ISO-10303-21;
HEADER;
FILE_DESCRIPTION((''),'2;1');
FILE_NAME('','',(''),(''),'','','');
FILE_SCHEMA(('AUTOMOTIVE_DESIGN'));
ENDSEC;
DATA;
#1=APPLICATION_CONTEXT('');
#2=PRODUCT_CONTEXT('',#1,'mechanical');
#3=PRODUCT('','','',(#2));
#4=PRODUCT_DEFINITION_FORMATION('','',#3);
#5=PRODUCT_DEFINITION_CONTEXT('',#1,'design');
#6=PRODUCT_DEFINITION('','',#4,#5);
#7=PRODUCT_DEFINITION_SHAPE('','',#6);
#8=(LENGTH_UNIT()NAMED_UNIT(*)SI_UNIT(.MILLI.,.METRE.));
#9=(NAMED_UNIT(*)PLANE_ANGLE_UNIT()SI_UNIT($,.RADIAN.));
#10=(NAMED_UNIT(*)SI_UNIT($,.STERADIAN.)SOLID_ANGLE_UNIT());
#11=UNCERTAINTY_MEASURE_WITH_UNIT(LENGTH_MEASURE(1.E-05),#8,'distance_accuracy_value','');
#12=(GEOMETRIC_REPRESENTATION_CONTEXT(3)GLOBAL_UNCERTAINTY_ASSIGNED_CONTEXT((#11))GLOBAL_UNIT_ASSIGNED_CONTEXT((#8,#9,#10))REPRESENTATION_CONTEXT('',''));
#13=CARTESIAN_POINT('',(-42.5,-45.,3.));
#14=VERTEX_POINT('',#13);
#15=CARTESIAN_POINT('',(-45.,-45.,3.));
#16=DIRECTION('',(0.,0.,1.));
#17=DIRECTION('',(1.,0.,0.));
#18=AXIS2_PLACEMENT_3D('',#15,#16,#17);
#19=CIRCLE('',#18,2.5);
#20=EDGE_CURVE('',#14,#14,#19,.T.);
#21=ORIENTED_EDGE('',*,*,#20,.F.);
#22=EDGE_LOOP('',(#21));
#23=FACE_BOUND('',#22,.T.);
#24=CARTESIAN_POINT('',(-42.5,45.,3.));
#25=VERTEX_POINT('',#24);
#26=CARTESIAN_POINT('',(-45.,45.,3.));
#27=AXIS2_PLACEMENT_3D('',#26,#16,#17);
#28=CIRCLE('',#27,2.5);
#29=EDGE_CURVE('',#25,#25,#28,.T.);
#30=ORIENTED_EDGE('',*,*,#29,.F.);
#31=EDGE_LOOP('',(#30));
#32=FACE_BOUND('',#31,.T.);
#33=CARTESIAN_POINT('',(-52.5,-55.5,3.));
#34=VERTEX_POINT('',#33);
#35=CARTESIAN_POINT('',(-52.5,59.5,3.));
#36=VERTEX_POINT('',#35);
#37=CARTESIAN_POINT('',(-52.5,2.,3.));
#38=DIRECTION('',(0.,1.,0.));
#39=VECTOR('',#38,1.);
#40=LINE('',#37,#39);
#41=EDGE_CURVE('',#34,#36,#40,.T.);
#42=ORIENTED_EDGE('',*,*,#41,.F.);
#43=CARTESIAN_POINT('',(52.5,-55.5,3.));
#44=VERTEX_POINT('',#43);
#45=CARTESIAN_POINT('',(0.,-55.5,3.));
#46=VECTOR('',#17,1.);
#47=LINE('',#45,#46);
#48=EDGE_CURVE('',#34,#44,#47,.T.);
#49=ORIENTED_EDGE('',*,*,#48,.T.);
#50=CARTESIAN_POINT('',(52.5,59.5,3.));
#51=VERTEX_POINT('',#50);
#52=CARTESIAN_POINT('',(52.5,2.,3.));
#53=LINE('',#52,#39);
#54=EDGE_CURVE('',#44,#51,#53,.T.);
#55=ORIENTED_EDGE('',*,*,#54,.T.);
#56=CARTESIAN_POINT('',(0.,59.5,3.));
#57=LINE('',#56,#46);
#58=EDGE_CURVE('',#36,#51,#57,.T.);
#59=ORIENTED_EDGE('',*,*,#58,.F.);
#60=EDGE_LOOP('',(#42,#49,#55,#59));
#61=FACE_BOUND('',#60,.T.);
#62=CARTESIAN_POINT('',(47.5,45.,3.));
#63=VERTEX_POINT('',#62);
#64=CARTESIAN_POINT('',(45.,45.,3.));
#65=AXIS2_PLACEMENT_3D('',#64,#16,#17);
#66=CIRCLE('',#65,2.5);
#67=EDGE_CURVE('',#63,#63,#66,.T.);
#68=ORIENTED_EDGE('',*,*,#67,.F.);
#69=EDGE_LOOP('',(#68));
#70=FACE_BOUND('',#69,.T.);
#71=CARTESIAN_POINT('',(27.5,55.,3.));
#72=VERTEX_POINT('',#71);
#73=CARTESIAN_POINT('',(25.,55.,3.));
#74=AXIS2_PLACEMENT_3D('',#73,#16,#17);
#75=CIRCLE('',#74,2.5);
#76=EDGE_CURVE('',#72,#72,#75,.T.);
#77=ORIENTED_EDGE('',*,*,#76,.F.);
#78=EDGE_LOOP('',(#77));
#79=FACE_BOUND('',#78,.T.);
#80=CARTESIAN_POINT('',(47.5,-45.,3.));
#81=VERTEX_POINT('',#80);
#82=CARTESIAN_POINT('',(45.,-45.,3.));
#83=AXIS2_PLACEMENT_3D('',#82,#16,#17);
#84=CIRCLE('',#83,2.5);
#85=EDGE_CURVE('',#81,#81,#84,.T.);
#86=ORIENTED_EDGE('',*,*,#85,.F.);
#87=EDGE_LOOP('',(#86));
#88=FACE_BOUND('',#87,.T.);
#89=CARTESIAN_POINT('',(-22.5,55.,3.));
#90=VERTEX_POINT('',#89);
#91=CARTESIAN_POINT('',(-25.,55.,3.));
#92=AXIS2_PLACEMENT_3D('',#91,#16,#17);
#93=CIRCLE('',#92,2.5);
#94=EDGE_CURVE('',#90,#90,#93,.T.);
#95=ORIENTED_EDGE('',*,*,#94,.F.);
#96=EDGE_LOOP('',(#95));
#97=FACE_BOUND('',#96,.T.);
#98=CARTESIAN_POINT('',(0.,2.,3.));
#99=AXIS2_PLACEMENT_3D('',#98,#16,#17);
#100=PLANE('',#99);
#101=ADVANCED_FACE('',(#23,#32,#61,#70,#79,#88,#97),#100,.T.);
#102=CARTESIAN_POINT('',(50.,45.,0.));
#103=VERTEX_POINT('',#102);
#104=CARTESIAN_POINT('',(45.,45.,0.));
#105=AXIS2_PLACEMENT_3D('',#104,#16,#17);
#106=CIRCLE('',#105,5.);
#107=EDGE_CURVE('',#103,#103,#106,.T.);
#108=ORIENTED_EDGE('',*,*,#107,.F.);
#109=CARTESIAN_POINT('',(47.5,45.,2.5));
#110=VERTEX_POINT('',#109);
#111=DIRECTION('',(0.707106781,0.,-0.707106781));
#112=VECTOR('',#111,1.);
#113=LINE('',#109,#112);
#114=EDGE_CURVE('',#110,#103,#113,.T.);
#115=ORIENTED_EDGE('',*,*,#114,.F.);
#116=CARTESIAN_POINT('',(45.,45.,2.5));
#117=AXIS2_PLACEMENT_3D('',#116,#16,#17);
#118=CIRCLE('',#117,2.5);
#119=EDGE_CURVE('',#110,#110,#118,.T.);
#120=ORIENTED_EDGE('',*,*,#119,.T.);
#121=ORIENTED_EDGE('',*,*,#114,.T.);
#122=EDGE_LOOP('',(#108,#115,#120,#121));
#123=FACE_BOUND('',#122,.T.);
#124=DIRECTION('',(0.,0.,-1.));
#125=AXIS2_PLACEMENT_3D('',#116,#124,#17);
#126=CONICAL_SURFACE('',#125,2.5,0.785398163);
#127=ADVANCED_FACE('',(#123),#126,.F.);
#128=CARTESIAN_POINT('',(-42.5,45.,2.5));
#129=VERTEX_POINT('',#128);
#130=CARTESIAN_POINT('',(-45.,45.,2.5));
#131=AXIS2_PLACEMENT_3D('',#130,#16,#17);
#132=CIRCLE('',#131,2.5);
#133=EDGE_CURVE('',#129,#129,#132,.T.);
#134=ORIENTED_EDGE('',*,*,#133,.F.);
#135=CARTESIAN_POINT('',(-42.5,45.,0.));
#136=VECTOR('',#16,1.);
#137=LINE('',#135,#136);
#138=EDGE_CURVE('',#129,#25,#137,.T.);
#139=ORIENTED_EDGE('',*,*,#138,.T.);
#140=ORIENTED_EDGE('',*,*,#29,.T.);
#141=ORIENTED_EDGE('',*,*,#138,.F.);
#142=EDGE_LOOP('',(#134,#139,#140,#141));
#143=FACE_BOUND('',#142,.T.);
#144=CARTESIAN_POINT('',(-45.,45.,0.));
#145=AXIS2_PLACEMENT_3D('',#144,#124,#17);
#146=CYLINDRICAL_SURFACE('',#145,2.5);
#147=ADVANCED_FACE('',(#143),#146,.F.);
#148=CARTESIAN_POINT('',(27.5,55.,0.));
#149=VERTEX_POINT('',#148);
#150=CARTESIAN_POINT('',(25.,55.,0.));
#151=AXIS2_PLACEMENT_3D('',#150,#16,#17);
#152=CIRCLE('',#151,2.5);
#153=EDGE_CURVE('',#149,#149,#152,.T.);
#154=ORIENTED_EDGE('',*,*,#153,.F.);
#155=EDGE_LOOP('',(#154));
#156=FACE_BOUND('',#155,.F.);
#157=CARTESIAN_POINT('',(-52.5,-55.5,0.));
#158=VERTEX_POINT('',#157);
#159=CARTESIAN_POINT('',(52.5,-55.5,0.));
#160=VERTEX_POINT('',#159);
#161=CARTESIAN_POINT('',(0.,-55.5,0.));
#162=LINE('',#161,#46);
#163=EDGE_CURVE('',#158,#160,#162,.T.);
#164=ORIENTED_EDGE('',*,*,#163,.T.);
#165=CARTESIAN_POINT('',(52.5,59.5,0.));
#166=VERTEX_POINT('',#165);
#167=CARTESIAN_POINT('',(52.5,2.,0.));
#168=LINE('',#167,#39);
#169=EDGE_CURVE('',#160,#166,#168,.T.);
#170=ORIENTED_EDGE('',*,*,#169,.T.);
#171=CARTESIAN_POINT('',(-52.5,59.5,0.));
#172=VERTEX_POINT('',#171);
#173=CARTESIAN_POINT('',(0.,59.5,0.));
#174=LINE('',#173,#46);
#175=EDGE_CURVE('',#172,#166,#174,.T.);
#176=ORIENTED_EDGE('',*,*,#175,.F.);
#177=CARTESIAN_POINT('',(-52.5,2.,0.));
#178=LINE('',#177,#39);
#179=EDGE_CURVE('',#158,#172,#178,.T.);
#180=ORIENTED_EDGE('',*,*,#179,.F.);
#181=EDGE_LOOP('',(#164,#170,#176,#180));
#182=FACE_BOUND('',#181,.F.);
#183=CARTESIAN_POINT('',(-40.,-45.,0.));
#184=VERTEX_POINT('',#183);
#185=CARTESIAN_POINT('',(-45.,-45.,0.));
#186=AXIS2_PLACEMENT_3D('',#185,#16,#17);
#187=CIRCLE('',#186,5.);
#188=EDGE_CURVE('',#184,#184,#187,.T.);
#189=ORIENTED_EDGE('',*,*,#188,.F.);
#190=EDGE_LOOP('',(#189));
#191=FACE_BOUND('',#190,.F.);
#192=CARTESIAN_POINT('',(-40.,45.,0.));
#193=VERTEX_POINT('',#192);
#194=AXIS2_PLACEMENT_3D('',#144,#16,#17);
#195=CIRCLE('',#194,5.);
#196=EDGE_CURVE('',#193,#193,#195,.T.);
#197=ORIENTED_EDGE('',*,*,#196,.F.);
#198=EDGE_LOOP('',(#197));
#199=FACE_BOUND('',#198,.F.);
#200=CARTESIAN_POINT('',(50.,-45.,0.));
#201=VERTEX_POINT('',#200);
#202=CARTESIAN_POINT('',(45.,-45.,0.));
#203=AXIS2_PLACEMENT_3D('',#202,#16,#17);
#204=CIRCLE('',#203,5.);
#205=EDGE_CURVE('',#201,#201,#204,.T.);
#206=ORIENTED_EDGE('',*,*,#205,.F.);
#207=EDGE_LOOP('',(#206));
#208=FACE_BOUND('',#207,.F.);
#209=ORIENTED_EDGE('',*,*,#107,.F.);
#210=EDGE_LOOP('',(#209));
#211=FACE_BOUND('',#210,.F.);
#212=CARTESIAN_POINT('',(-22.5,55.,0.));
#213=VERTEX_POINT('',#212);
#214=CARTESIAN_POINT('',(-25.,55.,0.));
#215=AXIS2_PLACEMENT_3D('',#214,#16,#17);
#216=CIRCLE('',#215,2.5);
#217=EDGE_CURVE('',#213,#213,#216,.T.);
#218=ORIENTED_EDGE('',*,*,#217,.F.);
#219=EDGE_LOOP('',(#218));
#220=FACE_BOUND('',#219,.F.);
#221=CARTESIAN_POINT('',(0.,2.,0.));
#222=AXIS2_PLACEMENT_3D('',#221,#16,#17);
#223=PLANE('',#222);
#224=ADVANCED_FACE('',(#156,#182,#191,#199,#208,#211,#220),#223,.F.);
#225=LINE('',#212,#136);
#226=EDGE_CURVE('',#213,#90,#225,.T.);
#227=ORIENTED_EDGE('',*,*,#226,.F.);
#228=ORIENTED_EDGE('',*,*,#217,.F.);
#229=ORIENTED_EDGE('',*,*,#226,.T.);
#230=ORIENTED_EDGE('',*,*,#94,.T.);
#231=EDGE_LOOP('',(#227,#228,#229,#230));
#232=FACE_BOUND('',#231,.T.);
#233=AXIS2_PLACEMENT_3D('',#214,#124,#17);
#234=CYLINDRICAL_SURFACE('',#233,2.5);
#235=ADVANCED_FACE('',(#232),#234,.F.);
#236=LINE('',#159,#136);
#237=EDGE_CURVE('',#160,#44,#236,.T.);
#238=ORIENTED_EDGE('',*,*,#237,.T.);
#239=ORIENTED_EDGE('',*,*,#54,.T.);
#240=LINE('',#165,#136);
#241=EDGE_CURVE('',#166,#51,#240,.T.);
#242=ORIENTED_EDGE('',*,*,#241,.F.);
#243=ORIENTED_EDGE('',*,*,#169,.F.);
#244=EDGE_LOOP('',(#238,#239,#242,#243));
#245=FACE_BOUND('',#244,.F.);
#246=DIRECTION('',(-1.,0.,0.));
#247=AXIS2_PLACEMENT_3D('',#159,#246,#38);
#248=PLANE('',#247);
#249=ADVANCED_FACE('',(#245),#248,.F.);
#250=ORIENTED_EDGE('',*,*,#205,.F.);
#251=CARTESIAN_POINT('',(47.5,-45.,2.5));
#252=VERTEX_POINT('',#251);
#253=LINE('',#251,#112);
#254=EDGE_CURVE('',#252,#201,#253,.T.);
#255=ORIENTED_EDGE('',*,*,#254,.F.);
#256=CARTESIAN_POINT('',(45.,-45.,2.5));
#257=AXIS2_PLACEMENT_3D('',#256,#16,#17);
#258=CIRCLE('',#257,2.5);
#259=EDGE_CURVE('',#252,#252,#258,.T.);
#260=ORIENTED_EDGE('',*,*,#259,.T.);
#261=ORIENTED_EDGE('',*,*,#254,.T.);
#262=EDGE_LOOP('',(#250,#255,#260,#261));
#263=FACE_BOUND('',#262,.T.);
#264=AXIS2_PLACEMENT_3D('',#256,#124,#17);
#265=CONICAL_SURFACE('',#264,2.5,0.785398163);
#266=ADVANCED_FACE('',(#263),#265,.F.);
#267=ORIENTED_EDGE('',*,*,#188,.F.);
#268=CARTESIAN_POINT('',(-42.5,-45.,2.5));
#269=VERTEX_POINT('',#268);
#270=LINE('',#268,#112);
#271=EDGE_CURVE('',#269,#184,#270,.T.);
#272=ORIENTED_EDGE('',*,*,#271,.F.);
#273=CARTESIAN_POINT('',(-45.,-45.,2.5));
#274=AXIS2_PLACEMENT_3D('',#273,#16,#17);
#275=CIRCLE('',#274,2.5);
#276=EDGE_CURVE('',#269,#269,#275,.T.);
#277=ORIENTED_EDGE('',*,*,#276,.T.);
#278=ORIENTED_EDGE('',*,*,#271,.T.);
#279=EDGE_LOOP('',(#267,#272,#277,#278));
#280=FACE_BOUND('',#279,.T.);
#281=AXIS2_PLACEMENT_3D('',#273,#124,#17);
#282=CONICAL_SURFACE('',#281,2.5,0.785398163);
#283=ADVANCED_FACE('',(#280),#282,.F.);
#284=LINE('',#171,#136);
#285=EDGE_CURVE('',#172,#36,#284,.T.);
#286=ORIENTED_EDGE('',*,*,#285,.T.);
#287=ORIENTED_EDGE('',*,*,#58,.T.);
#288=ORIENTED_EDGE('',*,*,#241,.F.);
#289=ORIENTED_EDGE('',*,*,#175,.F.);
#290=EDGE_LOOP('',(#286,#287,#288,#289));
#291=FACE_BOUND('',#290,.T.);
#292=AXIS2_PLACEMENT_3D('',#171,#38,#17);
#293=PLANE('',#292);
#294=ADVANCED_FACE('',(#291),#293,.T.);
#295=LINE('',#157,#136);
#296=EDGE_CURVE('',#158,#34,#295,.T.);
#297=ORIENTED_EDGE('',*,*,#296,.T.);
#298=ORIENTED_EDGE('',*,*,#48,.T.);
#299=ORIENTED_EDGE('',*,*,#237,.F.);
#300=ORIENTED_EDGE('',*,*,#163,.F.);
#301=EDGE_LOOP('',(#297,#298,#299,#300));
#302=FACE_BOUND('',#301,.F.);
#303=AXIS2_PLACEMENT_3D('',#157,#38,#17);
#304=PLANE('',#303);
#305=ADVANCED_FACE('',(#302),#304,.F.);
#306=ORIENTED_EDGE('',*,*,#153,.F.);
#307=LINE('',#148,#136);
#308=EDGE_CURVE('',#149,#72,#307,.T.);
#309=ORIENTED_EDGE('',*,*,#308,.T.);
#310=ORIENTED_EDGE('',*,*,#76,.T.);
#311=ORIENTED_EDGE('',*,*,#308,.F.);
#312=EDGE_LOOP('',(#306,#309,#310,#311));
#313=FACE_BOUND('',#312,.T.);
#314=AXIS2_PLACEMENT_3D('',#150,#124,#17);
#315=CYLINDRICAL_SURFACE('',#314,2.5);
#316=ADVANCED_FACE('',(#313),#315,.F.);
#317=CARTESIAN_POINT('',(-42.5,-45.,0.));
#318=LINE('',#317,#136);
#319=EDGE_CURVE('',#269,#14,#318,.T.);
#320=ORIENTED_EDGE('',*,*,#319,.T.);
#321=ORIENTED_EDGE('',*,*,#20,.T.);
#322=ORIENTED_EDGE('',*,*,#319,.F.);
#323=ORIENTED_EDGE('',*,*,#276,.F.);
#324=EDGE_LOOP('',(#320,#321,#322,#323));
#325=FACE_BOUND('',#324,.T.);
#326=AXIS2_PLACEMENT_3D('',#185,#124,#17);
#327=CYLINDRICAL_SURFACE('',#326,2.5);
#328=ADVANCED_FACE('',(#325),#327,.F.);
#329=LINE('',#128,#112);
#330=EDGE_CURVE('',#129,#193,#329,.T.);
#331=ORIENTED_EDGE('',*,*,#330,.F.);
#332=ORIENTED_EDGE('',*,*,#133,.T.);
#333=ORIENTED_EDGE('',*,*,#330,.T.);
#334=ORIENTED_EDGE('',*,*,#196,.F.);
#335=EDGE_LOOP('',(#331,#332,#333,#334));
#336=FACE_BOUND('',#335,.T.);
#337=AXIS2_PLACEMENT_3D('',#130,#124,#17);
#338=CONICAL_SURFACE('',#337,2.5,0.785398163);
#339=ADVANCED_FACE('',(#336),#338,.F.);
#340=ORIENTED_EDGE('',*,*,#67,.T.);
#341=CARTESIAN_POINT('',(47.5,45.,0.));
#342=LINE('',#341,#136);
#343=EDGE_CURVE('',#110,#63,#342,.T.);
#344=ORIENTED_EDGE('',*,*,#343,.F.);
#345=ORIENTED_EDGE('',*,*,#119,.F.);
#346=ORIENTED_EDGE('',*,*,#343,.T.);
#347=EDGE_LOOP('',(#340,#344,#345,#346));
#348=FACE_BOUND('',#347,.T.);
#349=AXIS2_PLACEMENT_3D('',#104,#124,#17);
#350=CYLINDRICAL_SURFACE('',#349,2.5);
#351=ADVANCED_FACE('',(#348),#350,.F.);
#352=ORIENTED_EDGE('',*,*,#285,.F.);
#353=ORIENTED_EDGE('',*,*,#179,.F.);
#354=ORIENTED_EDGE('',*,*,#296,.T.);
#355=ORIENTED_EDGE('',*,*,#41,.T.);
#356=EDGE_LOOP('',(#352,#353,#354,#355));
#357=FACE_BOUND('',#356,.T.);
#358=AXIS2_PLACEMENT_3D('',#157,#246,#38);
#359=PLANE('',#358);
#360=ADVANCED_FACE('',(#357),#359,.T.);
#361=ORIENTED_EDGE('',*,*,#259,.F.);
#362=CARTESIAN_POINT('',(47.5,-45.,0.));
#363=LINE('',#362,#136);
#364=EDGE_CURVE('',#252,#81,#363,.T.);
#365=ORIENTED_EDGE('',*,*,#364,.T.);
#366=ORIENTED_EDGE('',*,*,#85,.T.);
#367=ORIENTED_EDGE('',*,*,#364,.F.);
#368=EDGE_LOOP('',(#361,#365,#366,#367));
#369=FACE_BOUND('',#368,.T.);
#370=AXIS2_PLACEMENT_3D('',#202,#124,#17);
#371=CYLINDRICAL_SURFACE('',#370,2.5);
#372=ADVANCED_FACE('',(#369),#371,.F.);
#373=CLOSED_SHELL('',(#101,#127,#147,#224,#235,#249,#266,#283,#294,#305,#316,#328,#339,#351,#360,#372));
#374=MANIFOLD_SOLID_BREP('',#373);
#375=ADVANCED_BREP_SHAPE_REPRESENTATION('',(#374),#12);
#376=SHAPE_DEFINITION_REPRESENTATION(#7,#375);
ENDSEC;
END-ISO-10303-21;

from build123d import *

# Parameters (mm, degrees)
F0_W     = 105
F0_H     = 115
F0_R     = 2.5
F1_DEPTH = 3
F2_SIZE2 = 2.5
F2_SIZE  = 2.5


with BuildPart() as f1:
    # F0 (on Top) → F1 (new body)
    with BuildSketch(Plane.XY):
        with Locations((0, 2)):
            Rectangle(F0_W, F0_H)
        with Locations((-45, -45)):
            Circle(F0_R, mode=Mode.SUBTRACT)
        with Locations((45, -45)):
            Circle(F0_R, mode=Mode.SUBTRACT)
        with Locations((-45, 45)):
            Circle(F0_R, mode=Mode.SUBTRACT)
        with Locations((-25, 55)):
            Circle(F0_R, mode=Mode.SUBTRACT)
        with Locations((25, 55)):
            Circle(F0_R, mode=Mode.SUBTRACT)
        with Locations((45, 45)):
            Circle(F0_R, mode=Mode.SUBTRACT)
    extrude(amount=F1_DEPTH)

    # F2
    f2_edges = [f1.edges().sort_by_distance(p)[0] for p in [
        (-47.5, -45, 0),
        (42.5, -45, 0),
        (42.5, 45, 0),
        (-47.5, 45, 0),
    ]]
    chamfer(f2_edges, length=F2_SIZE, length2=F2_SIZE2)


solid = f1.part
